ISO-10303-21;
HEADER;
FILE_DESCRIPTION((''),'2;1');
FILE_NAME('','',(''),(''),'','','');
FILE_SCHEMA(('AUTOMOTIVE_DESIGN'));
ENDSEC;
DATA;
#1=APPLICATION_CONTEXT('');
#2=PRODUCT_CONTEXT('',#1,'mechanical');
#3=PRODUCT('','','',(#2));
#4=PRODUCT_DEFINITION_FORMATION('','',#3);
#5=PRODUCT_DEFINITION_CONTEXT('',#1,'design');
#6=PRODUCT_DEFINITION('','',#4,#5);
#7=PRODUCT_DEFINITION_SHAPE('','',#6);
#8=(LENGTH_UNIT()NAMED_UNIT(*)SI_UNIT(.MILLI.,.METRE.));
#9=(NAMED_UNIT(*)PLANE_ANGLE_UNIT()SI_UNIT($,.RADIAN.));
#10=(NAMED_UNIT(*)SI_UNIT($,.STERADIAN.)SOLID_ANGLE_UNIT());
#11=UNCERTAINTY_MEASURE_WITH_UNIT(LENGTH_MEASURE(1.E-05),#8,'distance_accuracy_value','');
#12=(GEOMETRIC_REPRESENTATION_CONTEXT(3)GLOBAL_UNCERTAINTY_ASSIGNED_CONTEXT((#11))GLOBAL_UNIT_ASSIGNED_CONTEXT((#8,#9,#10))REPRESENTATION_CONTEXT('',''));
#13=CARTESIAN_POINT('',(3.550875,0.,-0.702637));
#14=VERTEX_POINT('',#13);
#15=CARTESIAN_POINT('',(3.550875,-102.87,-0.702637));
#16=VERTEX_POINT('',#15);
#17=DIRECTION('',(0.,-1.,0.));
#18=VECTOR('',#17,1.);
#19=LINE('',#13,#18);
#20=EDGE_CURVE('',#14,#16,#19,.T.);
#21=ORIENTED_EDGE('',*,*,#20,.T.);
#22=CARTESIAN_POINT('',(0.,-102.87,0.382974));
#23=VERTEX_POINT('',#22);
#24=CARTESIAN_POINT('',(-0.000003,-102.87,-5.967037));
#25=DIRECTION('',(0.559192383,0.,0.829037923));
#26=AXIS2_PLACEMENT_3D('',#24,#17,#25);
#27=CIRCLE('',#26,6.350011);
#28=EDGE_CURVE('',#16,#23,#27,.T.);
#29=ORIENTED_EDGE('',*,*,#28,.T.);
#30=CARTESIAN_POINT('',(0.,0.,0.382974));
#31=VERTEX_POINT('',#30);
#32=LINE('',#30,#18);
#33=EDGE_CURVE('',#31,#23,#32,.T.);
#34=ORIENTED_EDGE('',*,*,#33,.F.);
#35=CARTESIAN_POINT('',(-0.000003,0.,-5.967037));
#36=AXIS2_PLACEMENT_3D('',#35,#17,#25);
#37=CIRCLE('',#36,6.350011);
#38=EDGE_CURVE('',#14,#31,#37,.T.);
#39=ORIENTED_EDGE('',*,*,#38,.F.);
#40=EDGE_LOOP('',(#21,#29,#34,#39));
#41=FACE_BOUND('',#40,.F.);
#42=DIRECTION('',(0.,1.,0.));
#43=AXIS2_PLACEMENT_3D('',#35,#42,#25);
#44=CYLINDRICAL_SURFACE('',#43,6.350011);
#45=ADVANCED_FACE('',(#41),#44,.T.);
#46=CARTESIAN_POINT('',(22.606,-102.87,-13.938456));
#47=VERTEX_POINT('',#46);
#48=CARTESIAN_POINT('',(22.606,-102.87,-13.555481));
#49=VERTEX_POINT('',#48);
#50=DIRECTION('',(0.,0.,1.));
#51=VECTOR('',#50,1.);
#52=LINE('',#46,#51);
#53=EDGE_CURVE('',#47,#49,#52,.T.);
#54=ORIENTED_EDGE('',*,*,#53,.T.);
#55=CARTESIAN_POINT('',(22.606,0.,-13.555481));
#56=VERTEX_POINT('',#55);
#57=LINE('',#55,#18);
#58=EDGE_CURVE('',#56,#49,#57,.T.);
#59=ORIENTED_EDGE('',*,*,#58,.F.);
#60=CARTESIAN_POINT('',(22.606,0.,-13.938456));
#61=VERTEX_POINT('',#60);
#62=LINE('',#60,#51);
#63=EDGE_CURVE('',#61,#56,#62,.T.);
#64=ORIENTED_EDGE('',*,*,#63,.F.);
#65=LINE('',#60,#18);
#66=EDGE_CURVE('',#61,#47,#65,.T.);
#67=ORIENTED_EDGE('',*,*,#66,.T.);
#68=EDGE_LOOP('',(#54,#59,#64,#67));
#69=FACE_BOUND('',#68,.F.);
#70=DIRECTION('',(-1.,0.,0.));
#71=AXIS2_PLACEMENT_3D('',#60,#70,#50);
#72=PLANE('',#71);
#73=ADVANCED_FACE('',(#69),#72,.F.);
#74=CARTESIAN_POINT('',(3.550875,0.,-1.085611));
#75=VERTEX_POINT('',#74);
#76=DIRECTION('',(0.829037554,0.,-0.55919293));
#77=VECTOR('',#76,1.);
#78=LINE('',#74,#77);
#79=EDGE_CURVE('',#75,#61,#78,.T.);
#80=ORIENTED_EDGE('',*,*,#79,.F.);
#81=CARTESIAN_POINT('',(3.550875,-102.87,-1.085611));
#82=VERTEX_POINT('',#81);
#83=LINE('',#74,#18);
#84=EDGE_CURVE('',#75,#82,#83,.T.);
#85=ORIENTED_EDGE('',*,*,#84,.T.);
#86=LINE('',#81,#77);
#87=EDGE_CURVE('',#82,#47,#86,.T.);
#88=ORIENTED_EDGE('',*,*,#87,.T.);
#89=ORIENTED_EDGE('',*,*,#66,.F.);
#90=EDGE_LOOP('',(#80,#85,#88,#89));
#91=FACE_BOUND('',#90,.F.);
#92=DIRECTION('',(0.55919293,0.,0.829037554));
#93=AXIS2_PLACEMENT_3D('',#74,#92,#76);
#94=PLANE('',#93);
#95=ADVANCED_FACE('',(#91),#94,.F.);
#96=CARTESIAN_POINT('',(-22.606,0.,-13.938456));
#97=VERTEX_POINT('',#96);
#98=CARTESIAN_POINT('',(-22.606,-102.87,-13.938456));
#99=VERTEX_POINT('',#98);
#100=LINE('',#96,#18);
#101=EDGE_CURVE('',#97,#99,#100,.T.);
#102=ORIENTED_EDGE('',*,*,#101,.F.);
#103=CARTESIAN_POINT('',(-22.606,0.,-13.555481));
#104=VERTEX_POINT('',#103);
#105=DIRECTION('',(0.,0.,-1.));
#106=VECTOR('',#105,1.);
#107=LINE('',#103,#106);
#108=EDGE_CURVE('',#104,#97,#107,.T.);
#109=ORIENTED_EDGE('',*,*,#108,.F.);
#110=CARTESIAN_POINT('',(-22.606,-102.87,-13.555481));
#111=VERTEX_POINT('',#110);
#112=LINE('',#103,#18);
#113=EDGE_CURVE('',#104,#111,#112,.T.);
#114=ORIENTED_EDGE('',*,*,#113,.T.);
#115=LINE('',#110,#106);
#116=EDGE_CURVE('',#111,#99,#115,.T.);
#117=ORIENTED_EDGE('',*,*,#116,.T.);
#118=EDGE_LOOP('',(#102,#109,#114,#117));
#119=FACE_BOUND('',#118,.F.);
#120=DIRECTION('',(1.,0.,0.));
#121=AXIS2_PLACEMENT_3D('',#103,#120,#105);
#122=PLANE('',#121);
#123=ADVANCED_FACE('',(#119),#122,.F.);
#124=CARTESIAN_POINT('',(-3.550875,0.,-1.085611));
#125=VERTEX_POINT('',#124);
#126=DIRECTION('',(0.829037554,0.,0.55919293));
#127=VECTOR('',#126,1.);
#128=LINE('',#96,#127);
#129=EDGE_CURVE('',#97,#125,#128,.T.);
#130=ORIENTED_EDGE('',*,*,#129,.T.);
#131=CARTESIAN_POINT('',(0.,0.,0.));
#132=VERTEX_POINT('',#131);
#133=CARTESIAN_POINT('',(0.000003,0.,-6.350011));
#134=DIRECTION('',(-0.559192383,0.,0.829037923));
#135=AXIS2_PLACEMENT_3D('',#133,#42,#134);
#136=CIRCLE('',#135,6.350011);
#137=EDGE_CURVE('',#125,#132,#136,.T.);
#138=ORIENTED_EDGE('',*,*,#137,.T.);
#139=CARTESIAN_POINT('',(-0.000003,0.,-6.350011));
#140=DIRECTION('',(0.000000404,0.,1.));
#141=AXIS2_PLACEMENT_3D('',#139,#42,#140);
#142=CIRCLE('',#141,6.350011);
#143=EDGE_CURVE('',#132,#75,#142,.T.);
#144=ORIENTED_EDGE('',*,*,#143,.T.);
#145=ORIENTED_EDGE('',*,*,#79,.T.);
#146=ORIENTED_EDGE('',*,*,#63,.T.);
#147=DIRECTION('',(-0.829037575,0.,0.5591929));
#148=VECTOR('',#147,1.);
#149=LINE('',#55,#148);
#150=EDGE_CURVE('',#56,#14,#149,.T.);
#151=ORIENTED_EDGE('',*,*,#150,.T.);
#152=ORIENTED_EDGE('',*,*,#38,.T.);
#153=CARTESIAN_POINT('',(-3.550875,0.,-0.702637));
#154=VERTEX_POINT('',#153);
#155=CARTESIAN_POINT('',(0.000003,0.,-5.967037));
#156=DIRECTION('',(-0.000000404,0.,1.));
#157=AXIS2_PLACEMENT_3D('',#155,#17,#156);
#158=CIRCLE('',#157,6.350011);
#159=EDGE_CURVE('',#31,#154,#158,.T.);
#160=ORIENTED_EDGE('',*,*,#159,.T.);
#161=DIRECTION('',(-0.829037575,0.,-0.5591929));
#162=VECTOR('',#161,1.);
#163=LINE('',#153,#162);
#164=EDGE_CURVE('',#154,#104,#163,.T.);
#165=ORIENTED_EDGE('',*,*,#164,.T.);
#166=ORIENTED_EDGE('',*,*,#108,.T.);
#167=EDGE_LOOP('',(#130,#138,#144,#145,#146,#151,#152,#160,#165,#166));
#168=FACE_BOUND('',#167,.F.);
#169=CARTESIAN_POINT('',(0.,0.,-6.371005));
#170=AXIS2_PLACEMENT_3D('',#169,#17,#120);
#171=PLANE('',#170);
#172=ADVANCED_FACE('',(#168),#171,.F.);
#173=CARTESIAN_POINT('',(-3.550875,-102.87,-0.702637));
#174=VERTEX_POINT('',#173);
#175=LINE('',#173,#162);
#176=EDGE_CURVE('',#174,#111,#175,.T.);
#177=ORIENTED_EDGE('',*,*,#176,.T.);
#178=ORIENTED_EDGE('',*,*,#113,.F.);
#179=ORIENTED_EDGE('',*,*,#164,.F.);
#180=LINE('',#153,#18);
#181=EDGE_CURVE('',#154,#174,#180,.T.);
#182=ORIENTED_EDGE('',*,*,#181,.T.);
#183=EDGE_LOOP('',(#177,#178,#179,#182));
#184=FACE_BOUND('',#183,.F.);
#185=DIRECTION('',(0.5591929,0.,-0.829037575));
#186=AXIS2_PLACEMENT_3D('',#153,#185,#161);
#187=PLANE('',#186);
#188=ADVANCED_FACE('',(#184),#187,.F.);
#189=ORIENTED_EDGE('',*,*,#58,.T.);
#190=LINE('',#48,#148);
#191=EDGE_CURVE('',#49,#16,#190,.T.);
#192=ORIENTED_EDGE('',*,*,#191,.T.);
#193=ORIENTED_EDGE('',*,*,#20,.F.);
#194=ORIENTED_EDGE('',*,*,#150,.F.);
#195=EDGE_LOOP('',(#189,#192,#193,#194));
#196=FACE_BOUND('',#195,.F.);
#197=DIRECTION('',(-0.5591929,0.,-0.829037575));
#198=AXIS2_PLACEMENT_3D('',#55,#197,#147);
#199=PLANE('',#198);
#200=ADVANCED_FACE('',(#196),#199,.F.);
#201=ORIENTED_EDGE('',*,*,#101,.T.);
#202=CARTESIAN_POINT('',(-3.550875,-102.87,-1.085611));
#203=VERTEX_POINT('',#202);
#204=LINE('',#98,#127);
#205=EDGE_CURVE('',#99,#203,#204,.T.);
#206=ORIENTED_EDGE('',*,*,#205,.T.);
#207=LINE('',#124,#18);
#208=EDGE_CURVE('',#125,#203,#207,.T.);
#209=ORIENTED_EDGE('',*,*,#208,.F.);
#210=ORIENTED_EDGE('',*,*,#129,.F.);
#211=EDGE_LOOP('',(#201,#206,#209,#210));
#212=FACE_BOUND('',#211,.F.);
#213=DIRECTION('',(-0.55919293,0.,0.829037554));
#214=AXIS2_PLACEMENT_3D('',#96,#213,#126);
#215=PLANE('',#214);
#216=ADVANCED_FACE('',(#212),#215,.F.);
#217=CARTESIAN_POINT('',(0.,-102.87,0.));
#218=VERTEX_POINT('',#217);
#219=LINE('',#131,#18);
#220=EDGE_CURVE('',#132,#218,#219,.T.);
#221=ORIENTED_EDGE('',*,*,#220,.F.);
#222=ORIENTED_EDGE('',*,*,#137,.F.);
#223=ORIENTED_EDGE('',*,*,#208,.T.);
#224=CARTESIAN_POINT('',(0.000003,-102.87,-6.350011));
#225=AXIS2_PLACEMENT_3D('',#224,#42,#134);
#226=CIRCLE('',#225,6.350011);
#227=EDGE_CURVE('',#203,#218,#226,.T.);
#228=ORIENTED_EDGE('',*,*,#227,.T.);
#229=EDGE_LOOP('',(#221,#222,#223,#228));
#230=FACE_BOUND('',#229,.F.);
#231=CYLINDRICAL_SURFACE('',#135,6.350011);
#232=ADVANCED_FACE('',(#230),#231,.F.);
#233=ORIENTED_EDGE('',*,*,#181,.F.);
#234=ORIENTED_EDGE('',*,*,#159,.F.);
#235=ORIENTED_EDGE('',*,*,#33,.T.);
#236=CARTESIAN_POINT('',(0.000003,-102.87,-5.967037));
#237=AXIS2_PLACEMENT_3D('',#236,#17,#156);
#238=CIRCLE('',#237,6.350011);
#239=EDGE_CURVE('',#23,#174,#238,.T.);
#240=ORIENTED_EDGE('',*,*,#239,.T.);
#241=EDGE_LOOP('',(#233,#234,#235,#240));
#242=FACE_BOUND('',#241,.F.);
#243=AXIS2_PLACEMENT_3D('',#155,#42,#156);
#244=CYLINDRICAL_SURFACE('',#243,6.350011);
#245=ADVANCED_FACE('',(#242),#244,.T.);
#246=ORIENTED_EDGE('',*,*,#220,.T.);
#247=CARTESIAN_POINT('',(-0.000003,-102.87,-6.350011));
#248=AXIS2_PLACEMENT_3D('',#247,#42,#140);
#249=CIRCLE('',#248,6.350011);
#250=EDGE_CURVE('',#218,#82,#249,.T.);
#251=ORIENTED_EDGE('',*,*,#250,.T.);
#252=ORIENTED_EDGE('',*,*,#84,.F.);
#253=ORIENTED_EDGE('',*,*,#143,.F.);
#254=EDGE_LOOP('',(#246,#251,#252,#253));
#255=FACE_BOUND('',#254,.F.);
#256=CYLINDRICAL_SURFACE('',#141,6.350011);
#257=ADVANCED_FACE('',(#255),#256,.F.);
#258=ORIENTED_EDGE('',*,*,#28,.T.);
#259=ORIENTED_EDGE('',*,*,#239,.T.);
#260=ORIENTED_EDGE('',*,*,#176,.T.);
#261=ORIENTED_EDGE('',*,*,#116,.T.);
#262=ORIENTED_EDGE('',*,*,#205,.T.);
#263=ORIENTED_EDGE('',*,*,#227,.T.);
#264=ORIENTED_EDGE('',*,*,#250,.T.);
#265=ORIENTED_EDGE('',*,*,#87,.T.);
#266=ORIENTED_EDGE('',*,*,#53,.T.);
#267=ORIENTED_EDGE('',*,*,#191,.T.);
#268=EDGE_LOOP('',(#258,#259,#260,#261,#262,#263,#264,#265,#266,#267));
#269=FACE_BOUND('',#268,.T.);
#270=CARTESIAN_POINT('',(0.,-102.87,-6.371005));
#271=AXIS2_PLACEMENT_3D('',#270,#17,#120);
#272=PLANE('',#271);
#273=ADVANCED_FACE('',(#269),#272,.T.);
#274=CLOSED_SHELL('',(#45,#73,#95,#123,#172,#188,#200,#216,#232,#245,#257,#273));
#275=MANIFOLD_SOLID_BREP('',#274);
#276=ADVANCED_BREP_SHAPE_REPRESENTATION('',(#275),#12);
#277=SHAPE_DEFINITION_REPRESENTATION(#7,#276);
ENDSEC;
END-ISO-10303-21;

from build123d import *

# Parameters (mm, degrees)
F1_DEPTH = 102.87


with BuildPart() as f1:
    # F0 (on Front) → F1 (new body)
    with BuildSketch(Plane.XZ):
        with BuildLine():
            Line((22.606, -13.555481), (3.550875, -0.702637))
            ThreePointArc((3.550875, -0.702637), (1.85656, 0.105509), (0, 0.382974))
            ThreePointArc((0, 0.382974), (-1.85656, 0.105509), (-3.550875, -0.702637))
            Line((-3.550875, -0.702637), (-22.606, -13.555481))
            Line((-22.606, -13.555481), (-22.606, -13.938456))
            Line((-22.606, -13.938456), (-3.550875, -1.085611))
            ThreePointArc((-3.550875, -1.085611), (-1.85656, -0.277465), (0, 0))
            ThreePointArc((0, 0), (1.85656, -0.277465), (3.550875, -1.085611))
            Line((3.550875, -1.085611), (22.606, -13.938456))
            Line((22.606, -13.938456), (22.606, -13.555481))
        make_face()
    extrude(amount=F1_DEPTH)


solid = f1.part
